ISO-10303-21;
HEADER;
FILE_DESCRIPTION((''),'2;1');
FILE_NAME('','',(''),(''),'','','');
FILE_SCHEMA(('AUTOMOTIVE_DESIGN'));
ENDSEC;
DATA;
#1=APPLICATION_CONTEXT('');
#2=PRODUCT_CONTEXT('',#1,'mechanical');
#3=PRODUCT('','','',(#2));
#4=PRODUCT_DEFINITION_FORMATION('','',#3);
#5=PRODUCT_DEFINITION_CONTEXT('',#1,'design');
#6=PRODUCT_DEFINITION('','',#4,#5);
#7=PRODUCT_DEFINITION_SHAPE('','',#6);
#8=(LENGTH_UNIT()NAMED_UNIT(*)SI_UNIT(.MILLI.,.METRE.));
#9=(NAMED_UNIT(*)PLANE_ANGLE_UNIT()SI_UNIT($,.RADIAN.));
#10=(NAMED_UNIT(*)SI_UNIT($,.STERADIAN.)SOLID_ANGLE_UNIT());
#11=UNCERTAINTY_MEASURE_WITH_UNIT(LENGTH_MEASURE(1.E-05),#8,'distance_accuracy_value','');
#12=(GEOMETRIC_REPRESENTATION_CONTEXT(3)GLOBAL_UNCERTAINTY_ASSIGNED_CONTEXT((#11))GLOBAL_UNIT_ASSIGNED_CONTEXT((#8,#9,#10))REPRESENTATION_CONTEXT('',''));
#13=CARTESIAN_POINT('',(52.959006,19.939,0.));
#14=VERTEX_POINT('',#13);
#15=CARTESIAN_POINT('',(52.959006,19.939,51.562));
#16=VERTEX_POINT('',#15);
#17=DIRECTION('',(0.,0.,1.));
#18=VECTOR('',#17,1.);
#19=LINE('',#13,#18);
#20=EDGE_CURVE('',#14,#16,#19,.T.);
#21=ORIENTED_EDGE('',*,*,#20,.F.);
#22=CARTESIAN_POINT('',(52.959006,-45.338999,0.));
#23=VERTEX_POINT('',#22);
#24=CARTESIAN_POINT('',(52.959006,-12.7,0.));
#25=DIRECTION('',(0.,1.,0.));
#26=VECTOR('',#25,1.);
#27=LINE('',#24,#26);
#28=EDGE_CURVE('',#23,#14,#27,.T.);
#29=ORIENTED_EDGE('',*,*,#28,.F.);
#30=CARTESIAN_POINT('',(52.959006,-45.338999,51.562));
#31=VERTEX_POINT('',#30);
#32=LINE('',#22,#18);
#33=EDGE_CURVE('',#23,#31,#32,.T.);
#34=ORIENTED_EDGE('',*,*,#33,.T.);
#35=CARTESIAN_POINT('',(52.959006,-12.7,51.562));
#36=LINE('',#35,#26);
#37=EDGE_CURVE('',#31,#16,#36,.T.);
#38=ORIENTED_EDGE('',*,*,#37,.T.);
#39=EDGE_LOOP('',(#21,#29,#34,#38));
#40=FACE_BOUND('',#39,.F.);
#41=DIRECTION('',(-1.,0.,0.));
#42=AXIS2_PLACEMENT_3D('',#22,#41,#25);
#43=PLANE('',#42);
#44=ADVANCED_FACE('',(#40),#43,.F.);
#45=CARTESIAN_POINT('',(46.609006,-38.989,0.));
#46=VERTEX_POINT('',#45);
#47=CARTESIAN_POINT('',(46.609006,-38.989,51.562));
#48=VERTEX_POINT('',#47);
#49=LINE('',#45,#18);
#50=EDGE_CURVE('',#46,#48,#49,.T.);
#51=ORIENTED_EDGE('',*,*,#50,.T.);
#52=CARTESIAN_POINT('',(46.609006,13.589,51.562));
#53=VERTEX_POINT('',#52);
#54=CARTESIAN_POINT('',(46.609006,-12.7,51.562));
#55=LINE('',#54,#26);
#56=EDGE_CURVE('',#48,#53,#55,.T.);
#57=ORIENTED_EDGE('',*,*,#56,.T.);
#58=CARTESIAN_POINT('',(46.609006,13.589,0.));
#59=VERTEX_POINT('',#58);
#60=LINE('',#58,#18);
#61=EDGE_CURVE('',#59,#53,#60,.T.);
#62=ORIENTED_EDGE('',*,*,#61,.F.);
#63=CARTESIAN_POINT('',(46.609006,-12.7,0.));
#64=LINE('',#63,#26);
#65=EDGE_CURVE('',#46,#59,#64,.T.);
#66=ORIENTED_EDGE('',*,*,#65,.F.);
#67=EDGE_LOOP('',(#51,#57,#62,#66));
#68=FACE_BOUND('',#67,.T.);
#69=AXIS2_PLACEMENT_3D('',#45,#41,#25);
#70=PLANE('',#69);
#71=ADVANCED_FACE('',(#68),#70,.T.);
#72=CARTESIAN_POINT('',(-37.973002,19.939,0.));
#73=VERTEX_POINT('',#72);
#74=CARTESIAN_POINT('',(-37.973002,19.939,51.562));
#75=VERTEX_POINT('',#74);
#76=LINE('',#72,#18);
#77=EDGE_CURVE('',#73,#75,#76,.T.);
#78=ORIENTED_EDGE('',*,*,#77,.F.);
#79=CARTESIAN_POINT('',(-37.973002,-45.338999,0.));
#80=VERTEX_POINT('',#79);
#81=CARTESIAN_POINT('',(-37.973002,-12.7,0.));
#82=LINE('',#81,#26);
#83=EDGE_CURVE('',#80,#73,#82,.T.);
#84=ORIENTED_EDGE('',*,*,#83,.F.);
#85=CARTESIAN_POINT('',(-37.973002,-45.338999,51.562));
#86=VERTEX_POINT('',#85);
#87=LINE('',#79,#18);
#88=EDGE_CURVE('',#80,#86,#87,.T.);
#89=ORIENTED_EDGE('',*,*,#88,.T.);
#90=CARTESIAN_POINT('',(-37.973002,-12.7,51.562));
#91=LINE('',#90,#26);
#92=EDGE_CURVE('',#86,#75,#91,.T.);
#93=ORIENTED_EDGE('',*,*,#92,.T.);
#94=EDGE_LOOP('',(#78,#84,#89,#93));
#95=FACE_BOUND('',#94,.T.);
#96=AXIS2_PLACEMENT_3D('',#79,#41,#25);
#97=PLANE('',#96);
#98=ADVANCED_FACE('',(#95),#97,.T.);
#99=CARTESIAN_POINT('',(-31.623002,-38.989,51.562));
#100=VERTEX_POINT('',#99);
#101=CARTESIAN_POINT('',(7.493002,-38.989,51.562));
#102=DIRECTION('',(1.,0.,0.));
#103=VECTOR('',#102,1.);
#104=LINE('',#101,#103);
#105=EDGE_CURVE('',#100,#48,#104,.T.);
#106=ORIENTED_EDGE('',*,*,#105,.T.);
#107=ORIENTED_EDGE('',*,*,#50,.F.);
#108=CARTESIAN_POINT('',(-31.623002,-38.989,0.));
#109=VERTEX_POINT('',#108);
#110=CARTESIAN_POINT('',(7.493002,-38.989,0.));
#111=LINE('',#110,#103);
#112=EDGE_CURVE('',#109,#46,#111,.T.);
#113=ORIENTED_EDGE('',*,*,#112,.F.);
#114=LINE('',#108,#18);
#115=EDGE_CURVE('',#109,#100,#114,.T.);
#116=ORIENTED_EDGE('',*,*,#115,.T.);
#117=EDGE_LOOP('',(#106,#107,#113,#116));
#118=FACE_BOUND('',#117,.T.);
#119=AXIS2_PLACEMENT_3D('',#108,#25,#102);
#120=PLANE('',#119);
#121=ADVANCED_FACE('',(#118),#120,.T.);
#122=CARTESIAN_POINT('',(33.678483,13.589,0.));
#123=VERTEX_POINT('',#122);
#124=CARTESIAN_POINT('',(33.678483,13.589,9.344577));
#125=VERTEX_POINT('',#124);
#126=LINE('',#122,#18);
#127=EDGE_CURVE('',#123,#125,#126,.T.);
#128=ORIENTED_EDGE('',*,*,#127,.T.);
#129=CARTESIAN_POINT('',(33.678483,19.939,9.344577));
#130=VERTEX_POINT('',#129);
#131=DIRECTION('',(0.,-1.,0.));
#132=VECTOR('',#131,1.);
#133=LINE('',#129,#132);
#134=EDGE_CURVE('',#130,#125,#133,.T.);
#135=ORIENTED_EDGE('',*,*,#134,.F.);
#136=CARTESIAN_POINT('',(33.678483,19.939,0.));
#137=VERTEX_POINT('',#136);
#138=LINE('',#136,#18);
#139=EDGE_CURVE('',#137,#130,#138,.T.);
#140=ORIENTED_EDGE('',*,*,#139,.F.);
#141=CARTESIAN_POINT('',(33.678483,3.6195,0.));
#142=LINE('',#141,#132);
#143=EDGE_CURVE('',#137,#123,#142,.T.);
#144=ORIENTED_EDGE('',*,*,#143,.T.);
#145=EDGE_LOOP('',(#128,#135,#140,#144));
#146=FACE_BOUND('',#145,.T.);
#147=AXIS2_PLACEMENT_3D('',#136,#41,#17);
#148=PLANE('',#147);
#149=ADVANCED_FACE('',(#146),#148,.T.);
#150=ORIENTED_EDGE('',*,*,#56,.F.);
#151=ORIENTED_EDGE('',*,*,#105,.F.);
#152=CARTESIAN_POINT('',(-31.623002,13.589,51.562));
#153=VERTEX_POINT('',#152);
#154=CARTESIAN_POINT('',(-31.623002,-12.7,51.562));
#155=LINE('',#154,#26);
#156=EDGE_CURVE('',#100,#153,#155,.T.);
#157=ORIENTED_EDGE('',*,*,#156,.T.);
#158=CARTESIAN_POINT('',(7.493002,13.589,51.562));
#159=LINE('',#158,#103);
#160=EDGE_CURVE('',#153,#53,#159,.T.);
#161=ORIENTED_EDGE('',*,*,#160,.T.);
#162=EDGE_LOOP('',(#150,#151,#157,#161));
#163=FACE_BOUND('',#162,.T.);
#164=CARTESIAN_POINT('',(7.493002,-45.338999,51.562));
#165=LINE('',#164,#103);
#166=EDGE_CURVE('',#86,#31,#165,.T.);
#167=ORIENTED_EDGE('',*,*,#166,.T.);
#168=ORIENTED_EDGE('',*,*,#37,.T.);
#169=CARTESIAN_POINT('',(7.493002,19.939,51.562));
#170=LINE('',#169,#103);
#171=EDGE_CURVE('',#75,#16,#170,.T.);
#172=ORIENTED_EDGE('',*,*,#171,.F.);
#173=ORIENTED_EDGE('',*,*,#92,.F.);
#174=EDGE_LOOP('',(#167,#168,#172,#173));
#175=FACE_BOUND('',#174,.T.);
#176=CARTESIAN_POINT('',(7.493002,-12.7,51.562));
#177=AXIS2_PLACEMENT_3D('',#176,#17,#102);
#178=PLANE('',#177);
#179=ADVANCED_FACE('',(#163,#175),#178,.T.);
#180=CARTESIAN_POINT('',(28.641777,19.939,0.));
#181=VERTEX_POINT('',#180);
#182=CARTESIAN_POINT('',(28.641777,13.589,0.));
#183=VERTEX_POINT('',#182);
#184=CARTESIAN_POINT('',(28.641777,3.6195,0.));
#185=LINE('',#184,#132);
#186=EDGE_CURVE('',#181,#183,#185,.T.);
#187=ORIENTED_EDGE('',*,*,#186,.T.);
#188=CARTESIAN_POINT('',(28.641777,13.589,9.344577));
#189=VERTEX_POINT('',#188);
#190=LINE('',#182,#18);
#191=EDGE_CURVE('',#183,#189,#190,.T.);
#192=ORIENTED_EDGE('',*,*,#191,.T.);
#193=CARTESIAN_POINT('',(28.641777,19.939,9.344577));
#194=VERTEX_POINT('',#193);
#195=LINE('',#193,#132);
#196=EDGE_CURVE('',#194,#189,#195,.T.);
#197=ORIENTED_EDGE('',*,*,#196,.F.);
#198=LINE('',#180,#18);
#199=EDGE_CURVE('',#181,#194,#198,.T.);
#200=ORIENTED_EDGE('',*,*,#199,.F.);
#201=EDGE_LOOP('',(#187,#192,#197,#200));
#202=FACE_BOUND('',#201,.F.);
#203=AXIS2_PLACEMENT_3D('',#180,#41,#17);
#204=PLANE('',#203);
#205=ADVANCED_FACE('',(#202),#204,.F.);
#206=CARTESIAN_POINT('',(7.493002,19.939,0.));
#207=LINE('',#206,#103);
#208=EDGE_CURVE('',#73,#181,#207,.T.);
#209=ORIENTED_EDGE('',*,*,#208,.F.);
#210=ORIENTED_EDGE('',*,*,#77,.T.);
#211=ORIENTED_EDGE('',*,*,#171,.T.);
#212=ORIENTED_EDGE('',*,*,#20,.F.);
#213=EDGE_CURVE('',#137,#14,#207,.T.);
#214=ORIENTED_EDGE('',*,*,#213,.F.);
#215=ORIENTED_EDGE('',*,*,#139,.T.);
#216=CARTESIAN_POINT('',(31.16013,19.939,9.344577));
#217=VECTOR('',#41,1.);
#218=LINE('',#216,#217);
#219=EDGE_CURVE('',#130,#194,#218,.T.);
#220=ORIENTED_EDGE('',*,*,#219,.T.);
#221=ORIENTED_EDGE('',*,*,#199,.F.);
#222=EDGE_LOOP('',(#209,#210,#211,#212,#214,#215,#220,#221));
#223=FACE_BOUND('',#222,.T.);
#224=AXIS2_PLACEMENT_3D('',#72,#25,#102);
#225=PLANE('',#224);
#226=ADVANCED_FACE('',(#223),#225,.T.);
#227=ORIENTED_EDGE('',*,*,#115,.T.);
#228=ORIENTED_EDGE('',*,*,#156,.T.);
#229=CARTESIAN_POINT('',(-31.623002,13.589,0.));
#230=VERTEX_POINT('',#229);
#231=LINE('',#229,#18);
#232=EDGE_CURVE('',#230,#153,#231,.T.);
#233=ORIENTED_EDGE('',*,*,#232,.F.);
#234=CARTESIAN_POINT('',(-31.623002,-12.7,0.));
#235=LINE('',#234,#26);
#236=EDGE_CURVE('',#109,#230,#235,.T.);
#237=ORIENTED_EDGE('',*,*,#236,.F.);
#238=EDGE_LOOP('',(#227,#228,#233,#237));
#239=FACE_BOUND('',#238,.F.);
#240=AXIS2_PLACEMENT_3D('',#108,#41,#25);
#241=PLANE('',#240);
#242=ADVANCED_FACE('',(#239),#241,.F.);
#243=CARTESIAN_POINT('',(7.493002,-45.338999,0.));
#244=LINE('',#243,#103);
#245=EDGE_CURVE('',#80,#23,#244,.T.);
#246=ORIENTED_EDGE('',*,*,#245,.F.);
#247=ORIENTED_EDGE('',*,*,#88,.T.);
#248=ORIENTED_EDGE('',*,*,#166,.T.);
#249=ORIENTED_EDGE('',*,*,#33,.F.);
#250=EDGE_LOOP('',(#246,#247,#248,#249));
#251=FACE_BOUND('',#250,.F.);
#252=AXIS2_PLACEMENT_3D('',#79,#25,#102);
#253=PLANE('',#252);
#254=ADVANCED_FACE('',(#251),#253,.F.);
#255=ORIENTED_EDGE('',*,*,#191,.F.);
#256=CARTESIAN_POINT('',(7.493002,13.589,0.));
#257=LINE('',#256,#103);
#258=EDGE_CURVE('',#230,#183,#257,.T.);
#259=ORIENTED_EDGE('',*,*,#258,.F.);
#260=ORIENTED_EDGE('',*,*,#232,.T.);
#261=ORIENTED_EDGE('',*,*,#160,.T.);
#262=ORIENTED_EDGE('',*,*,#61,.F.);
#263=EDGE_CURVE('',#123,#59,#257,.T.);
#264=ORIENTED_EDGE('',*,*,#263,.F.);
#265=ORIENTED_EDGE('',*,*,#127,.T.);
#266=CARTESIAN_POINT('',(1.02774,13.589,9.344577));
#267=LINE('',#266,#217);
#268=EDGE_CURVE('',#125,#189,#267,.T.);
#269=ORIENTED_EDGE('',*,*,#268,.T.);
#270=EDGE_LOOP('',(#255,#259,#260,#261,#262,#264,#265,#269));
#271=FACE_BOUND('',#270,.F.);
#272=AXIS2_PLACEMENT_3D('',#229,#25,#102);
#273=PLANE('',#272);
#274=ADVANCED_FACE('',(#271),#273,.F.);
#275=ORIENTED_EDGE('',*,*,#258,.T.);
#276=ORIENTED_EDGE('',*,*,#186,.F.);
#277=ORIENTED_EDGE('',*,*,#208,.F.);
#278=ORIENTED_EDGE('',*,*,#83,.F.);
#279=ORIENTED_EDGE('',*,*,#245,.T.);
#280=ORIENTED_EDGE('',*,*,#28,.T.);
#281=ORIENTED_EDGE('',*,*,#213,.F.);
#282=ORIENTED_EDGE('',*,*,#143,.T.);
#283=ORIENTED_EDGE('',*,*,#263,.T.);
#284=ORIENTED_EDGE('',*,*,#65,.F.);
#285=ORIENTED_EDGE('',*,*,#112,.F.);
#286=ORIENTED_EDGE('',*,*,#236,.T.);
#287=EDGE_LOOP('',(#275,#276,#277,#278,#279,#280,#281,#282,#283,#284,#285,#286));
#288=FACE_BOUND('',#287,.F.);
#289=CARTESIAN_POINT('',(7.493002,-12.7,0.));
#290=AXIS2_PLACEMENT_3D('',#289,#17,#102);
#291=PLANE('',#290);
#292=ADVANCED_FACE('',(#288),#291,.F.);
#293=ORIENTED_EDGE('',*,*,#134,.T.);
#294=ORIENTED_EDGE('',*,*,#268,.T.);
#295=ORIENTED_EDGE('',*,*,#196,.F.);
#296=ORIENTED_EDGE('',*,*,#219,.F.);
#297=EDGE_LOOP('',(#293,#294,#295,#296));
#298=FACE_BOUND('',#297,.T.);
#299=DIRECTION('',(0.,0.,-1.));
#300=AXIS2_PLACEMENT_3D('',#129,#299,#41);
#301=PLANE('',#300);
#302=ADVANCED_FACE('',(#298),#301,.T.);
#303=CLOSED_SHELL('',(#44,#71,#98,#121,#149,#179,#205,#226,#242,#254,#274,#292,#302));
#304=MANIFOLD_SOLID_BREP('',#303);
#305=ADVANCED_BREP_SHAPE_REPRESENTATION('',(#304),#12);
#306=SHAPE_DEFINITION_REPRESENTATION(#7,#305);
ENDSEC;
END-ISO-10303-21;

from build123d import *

# Parameters (mm, degrees)
F0_W     = 90.932008
F0_H     = 65.277999
F0_W_2   = 78.232009
F0_H_2   = 52.578
F1_DEPTH = 51.562
F2_W     = 5.036706
F2_H     = 9.344577
F3_DEPTH = 8.6614


with BuildPart() as f1:
    # F0 (on Top) → F1 (new body)
    with BuildSketch(Plane.XY):
        with Locations((7.493002, -12.7)):
            Rectangle(F0_W, F0_H)
        with Locations((7.493002, -12.7)):
            Rectangle(F0_W_2, F0_H_2, mode=Mode.SUBTRACT)
    extrude(amount=F1_DEPTH)

    # F2 (on face) → F3 (cut)
    with BuildSketch(Plane(origin=(0, 19.939, 0), x_dir=(-1, 0, 0), z_dir=(0, 1, 0))):
        with Locations((-31.16013, 4.672288)):
            Rectangle(F2_W, F2_H)
    extrude(amount=-F3_DEPTH, mode=Mode.SUBTRACT)


solid = f1.part
